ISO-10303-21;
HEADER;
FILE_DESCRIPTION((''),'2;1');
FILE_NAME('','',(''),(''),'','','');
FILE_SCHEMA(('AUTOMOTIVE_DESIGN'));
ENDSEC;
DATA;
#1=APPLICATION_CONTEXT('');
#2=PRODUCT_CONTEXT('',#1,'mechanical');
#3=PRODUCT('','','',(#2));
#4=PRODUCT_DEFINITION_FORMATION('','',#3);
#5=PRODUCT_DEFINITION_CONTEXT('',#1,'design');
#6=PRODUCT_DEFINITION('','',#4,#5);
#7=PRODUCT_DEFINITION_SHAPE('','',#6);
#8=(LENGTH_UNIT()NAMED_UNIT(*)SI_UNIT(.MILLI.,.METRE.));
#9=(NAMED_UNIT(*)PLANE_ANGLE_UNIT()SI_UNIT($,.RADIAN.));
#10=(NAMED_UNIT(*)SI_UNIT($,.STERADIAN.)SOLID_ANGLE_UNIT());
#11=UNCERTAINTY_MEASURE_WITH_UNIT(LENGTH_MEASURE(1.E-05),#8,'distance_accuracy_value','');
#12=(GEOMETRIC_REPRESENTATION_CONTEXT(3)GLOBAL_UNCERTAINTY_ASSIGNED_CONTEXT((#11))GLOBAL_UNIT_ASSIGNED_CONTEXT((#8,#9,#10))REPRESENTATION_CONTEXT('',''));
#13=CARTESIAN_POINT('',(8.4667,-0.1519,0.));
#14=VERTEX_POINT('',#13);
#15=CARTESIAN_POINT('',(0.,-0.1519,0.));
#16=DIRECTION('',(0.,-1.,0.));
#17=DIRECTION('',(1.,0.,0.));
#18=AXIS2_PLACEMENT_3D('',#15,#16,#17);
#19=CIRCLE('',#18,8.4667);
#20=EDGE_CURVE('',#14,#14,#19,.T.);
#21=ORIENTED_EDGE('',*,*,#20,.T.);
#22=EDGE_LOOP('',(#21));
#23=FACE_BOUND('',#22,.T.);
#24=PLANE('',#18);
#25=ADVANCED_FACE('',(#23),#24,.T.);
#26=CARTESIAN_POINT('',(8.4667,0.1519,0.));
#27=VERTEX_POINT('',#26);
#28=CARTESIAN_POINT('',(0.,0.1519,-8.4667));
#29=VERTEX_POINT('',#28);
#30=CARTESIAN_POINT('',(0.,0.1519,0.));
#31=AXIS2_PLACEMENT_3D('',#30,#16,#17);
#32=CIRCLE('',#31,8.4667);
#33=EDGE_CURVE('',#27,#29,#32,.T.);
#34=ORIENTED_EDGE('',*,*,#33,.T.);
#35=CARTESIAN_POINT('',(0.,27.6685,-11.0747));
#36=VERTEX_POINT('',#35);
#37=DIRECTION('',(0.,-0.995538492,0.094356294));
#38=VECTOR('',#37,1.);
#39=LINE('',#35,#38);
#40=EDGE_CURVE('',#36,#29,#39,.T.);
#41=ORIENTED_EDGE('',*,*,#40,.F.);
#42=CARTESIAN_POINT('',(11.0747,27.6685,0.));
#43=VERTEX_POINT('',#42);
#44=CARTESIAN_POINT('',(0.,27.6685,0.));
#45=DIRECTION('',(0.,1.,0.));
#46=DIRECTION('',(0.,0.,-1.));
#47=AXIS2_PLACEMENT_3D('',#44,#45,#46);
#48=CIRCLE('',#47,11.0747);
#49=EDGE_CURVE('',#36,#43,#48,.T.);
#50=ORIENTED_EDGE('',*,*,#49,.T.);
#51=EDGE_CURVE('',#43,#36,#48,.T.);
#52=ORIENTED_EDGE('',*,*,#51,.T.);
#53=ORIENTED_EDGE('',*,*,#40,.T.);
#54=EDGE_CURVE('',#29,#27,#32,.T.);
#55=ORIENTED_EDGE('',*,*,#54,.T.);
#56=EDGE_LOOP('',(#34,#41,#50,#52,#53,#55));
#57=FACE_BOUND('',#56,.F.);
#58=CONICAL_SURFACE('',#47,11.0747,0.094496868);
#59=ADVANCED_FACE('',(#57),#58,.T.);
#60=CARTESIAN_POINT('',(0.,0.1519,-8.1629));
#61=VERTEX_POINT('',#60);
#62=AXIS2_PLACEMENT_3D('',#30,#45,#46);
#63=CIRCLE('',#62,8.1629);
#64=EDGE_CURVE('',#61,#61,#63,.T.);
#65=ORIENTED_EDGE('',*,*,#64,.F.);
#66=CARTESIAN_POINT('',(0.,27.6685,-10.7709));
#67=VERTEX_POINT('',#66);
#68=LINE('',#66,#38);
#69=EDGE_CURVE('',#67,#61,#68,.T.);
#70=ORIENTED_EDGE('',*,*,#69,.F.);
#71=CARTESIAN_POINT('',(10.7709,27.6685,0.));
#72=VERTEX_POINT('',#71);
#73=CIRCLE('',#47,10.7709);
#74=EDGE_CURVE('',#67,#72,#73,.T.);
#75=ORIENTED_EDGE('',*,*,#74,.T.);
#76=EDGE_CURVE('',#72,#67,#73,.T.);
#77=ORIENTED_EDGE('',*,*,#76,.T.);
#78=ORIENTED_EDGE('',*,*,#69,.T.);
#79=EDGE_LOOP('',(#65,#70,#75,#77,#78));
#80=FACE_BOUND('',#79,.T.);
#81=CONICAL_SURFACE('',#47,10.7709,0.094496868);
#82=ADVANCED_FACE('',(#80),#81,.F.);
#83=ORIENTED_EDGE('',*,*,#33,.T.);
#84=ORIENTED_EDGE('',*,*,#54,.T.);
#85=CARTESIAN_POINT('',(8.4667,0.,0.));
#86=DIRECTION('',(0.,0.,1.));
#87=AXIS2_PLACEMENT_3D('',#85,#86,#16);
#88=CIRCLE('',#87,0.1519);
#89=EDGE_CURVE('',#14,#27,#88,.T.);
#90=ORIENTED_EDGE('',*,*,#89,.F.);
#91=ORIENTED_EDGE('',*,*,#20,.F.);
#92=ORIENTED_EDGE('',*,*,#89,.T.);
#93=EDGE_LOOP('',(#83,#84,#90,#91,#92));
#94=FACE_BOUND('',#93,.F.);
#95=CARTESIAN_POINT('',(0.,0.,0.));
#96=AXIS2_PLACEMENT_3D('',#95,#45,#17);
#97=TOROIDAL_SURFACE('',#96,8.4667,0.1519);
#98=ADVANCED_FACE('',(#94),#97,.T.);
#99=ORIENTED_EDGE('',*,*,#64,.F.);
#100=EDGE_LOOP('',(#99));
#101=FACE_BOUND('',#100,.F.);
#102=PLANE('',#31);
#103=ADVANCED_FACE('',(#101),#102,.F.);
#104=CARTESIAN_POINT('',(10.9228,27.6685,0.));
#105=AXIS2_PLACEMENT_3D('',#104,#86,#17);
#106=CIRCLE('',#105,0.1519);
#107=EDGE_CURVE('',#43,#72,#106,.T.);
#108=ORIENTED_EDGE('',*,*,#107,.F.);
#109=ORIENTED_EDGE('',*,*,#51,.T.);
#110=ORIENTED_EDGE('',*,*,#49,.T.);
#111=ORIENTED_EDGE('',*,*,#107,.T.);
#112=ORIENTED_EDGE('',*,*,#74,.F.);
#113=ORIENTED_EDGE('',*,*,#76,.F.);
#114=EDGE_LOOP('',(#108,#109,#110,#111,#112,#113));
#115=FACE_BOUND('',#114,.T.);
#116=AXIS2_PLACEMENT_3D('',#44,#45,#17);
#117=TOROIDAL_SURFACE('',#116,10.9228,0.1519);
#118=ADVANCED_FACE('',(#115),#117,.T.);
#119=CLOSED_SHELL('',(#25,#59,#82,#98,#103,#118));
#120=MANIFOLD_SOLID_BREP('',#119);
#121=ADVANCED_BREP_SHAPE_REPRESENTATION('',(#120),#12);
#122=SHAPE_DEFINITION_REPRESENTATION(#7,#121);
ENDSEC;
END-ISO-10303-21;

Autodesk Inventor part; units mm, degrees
ref_plane "YZ Plane" through (0, 0, 0) normal (1, 0, 0) x (0, 1, 0)
ref_plane "XZ Plane" through (0, 0, 0) normal (0, 1, 0) x (-1, 0, 0)
ref_plane "XY Plane" through (0, 0, 0) normal (0, 0, 1) x (1, 0, 0)
sketch "Sketch1" plane through (0, 0, 0) normal (0, 0, 1) x (1, 0, 0)
  line L0 (0, 0) -> (8.4667, 0) construction
  arc A0 (8.4667, -0.1519) -> (8.4667, 0.1519) centre (8.4667, 0) ccw
  line L1 (8.4667, -0.1519) -> (0, -0.1519)
  line L2 (0, -0.1519) -> (0, 0)
  line L3 (8.4667, 0.1519) -> (0, 0.1519)
  line L4 (0, 0.1519) -> (0, 0)
  dimension "d0" = 8.4667
  dimension "d1" = 0.3037
  dimension "d2" = 8.4667
  dimension "d3" = 8.4667
revolve "bace" add sketch "Sketch1" angle 360 about axis through (0, 0.1519, 0) along (0, -1, 0)
sketch "Sketch2" plane through (0, 0, 0) normal (1, 0, 0) x (0, 1, 0)
  line L0 (0.1519, 8.4667) -> (0.1519, -8.4667) projected
  line L1 (0.1519, 0) -> (27.6685, 0)
  line L2 (27.6685, 0) -> (27.6685, -11.0747)
  line L3 (27.6685, -11.0747) -> (0.1519, -8.4667)
  line L4 (27.6685, -11.0747) -> (27.6685, -10.7709)
  line L5 (27.6685, -10.7709) -> (0.1519, -8.1629)
  line L6 (0.1519, -8.4667) -> (0.1519, -8.1629)
  point P0 (0, 0)
  dimension "d5" = 27.5167
  dimension "d6" = 0.3037
  dimension "d7" = 0.3037
revolve "walls" add sketch "Sketch2" angle 360 about axis through (0, 0.1519, 0) along (0, 1, 0) contours L5 L2 L3 L0
sketch "Sketch3" plane through (0, 0, 0) normal (0, 0, 1) x (1, 0, 0)
  line L0 (8.1629, 0.1519) -> (10.7709, 27.6685) projected
  line L1 (10.7709, 27.6685) -> (11.0747, 27.6685) construction
  line L2 (11.0747, 27.6685) -> (8.4667, 0.1519) projected
  line L3 (-11.0747, 27.6685) -> (11.0747, 27.6685) projected
  arc A0 (11.0747, 27.6685) -> (10.7709, 27.6685) centre (10.9228, 27.6685) ccw
  line L4 (0, -5.7418) -> (0, 33.3874) projected
  point P0 (0, 0)
  dimension "d10" = 0.1519
revolve "Revolution3" add sketch "Sketch3" angle 360 about axis through (0, -10, 0) along (0, 1, 0)
equation "\"d2\" = d0"
equation "\"d3\" = d0"
equation "\"d6\" = d1"
equation "\"d10\" = 0.5 * d1"
properties part number "trash bin 13 inches not demanding"
